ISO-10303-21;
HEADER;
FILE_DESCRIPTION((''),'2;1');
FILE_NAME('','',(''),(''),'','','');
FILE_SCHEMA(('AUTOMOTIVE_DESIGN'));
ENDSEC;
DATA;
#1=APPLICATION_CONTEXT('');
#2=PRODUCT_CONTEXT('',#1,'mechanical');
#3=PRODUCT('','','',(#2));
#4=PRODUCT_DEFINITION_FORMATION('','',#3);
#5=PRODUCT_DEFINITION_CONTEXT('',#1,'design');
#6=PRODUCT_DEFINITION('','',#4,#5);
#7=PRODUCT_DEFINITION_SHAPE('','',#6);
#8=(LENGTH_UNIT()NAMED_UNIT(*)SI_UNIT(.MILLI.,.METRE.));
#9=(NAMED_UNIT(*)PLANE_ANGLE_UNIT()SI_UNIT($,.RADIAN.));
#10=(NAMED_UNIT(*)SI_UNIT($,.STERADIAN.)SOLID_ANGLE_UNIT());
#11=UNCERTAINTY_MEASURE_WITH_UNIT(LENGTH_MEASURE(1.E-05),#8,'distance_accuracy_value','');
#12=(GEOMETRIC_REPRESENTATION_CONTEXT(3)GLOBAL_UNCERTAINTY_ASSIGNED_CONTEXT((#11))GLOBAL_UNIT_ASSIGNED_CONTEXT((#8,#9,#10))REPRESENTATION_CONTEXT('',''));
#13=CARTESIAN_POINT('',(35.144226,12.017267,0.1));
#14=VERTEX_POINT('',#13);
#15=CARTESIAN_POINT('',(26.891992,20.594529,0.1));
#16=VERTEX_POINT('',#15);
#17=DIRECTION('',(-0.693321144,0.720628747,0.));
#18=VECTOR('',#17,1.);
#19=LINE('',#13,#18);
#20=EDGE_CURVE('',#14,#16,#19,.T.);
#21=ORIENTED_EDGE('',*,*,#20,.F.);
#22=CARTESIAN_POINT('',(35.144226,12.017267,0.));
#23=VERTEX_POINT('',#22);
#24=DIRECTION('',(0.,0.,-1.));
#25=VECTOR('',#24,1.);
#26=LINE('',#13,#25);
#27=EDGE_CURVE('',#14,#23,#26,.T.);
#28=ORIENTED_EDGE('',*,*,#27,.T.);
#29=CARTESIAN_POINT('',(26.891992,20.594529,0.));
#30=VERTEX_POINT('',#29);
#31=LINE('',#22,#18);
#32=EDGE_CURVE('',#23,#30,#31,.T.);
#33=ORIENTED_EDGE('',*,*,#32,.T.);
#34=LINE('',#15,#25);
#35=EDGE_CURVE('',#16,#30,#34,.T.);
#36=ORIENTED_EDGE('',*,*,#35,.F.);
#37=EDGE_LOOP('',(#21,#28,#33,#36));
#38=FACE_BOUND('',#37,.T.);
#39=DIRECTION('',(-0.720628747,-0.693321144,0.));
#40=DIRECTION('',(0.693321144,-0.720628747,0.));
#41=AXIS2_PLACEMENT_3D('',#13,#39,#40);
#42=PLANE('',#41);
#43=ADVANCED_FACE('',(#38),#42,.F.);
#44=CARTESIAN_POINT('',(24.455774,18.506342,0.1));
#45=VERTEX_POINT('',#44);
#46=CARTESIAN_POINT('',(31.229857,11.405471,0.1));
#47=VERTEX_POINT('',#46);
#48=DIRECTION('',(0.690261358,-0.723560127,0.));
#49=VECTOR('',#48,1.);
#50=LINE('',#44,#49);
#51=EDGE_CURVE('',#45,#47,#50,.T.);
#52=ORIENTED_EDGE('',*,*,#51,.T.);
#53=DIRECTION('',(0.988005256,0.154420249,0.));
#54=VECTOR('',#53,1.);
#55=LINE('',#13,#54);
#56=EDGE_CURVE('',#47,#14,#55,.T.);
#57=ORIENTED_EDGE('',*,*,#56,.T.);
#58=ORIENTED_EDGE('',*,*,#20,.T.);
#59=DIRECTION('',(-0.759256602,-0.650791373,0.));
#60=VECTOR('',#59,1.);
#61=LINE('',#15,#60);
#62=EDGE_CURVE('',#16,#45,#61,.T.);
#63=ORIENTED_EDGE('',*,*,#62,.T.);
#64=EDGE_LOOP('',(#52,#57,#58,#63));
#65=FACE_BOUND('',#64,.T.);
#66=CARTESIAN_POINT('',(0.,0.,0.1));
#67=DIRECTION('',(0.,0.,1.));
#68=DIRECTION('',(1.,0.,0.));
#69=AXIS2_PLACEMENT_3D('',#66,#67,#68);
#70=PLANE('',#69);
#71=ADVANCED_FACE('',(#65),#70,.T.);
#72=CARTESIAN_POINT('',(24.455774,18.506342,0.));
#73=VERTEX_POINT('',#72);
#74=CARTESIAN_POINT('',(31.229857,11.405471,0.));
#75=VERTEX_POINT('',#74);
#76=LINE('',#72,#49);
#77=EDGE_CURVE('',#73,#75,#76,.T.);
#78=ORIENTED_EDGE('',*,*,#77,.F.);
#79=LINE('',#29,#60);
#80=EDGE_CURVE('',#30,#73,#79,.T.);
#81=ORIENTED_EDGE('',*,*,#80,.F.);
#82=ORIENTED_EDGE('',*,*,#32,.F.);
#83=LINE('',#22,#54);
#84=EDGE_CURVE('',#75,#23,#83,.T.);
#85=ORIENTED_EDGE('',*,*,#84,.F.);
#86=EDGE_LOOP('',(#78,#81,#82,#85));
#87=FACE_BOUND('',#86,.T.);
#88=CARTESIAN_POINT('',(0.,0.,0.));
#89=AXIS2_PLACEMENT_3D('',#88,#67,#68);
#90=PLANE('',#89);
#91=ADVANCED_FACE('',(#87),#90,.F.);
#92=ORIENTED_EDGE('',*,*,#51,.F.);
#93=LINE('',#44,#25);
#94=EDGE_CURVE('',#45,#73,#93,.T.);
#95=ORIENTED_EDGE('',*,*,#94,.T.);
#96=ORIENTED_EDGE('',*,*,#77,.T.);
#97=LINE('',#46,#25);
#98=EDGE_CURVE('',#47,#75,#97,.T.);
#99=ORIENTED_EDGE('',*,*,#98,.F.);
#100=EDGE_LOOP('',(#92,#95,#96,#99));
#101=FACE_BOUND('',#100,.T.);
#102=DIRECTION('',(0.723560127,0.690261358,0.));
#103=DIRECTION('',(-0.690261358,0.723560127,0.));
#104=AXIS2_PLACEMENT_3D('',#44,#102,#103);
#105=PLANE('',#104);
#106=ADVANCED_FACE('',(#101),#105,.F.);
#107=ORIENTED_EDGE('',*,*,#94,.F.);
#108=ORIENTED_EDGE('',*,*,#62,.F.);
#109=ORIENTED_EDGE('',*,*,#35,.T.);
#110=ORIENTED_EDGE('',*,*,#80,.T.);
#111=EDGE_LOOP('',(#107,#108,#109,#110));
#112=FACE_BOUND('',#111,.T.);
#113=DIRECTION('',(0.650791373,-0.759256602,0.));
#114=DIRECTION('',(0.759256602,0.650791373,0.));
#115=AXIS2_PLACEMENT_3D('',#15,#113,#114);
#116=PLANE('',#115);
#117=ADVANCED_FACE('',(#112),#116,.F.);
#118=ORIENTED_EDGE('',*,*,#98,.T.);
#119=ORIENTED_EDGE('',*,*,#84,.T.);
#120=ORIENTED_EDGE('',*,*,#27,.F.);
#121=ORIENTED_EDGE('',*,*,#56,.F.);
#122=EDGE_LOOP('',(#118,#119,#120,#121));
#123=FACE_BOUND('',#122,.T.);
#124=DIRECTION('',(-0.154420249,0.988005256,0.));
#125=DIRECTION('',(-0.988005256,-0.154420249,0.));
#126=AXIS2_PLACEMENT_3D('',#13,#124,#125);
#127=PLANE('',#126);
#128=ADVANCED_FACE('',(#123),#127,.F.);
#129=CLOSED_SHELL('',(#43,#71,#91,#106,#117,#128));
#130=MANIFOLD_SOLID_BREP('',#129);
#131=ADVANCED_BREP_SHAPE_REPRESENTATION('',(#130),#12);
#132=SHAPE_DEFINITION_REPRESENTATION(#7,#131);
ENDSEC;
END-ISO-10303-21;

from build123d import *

# Parameters (mm, degrees)
SALIENTE_EXTRUIR1_DEPTH = 0.1


with BuildPart() as part:
    # Model → Saliente-Extruir1 (new body)
    with BuildSketch(Plane.XY):
        Polygon((35.144226194, 12.017267261), (31.229857019, 11.40547106), (24.455773806, 18.506341556), (26.891992421, 20.59452894), align=None)
    extrude(amount=SALIENTE_EXTRUIR1_DEPTH)


solid = part.part
